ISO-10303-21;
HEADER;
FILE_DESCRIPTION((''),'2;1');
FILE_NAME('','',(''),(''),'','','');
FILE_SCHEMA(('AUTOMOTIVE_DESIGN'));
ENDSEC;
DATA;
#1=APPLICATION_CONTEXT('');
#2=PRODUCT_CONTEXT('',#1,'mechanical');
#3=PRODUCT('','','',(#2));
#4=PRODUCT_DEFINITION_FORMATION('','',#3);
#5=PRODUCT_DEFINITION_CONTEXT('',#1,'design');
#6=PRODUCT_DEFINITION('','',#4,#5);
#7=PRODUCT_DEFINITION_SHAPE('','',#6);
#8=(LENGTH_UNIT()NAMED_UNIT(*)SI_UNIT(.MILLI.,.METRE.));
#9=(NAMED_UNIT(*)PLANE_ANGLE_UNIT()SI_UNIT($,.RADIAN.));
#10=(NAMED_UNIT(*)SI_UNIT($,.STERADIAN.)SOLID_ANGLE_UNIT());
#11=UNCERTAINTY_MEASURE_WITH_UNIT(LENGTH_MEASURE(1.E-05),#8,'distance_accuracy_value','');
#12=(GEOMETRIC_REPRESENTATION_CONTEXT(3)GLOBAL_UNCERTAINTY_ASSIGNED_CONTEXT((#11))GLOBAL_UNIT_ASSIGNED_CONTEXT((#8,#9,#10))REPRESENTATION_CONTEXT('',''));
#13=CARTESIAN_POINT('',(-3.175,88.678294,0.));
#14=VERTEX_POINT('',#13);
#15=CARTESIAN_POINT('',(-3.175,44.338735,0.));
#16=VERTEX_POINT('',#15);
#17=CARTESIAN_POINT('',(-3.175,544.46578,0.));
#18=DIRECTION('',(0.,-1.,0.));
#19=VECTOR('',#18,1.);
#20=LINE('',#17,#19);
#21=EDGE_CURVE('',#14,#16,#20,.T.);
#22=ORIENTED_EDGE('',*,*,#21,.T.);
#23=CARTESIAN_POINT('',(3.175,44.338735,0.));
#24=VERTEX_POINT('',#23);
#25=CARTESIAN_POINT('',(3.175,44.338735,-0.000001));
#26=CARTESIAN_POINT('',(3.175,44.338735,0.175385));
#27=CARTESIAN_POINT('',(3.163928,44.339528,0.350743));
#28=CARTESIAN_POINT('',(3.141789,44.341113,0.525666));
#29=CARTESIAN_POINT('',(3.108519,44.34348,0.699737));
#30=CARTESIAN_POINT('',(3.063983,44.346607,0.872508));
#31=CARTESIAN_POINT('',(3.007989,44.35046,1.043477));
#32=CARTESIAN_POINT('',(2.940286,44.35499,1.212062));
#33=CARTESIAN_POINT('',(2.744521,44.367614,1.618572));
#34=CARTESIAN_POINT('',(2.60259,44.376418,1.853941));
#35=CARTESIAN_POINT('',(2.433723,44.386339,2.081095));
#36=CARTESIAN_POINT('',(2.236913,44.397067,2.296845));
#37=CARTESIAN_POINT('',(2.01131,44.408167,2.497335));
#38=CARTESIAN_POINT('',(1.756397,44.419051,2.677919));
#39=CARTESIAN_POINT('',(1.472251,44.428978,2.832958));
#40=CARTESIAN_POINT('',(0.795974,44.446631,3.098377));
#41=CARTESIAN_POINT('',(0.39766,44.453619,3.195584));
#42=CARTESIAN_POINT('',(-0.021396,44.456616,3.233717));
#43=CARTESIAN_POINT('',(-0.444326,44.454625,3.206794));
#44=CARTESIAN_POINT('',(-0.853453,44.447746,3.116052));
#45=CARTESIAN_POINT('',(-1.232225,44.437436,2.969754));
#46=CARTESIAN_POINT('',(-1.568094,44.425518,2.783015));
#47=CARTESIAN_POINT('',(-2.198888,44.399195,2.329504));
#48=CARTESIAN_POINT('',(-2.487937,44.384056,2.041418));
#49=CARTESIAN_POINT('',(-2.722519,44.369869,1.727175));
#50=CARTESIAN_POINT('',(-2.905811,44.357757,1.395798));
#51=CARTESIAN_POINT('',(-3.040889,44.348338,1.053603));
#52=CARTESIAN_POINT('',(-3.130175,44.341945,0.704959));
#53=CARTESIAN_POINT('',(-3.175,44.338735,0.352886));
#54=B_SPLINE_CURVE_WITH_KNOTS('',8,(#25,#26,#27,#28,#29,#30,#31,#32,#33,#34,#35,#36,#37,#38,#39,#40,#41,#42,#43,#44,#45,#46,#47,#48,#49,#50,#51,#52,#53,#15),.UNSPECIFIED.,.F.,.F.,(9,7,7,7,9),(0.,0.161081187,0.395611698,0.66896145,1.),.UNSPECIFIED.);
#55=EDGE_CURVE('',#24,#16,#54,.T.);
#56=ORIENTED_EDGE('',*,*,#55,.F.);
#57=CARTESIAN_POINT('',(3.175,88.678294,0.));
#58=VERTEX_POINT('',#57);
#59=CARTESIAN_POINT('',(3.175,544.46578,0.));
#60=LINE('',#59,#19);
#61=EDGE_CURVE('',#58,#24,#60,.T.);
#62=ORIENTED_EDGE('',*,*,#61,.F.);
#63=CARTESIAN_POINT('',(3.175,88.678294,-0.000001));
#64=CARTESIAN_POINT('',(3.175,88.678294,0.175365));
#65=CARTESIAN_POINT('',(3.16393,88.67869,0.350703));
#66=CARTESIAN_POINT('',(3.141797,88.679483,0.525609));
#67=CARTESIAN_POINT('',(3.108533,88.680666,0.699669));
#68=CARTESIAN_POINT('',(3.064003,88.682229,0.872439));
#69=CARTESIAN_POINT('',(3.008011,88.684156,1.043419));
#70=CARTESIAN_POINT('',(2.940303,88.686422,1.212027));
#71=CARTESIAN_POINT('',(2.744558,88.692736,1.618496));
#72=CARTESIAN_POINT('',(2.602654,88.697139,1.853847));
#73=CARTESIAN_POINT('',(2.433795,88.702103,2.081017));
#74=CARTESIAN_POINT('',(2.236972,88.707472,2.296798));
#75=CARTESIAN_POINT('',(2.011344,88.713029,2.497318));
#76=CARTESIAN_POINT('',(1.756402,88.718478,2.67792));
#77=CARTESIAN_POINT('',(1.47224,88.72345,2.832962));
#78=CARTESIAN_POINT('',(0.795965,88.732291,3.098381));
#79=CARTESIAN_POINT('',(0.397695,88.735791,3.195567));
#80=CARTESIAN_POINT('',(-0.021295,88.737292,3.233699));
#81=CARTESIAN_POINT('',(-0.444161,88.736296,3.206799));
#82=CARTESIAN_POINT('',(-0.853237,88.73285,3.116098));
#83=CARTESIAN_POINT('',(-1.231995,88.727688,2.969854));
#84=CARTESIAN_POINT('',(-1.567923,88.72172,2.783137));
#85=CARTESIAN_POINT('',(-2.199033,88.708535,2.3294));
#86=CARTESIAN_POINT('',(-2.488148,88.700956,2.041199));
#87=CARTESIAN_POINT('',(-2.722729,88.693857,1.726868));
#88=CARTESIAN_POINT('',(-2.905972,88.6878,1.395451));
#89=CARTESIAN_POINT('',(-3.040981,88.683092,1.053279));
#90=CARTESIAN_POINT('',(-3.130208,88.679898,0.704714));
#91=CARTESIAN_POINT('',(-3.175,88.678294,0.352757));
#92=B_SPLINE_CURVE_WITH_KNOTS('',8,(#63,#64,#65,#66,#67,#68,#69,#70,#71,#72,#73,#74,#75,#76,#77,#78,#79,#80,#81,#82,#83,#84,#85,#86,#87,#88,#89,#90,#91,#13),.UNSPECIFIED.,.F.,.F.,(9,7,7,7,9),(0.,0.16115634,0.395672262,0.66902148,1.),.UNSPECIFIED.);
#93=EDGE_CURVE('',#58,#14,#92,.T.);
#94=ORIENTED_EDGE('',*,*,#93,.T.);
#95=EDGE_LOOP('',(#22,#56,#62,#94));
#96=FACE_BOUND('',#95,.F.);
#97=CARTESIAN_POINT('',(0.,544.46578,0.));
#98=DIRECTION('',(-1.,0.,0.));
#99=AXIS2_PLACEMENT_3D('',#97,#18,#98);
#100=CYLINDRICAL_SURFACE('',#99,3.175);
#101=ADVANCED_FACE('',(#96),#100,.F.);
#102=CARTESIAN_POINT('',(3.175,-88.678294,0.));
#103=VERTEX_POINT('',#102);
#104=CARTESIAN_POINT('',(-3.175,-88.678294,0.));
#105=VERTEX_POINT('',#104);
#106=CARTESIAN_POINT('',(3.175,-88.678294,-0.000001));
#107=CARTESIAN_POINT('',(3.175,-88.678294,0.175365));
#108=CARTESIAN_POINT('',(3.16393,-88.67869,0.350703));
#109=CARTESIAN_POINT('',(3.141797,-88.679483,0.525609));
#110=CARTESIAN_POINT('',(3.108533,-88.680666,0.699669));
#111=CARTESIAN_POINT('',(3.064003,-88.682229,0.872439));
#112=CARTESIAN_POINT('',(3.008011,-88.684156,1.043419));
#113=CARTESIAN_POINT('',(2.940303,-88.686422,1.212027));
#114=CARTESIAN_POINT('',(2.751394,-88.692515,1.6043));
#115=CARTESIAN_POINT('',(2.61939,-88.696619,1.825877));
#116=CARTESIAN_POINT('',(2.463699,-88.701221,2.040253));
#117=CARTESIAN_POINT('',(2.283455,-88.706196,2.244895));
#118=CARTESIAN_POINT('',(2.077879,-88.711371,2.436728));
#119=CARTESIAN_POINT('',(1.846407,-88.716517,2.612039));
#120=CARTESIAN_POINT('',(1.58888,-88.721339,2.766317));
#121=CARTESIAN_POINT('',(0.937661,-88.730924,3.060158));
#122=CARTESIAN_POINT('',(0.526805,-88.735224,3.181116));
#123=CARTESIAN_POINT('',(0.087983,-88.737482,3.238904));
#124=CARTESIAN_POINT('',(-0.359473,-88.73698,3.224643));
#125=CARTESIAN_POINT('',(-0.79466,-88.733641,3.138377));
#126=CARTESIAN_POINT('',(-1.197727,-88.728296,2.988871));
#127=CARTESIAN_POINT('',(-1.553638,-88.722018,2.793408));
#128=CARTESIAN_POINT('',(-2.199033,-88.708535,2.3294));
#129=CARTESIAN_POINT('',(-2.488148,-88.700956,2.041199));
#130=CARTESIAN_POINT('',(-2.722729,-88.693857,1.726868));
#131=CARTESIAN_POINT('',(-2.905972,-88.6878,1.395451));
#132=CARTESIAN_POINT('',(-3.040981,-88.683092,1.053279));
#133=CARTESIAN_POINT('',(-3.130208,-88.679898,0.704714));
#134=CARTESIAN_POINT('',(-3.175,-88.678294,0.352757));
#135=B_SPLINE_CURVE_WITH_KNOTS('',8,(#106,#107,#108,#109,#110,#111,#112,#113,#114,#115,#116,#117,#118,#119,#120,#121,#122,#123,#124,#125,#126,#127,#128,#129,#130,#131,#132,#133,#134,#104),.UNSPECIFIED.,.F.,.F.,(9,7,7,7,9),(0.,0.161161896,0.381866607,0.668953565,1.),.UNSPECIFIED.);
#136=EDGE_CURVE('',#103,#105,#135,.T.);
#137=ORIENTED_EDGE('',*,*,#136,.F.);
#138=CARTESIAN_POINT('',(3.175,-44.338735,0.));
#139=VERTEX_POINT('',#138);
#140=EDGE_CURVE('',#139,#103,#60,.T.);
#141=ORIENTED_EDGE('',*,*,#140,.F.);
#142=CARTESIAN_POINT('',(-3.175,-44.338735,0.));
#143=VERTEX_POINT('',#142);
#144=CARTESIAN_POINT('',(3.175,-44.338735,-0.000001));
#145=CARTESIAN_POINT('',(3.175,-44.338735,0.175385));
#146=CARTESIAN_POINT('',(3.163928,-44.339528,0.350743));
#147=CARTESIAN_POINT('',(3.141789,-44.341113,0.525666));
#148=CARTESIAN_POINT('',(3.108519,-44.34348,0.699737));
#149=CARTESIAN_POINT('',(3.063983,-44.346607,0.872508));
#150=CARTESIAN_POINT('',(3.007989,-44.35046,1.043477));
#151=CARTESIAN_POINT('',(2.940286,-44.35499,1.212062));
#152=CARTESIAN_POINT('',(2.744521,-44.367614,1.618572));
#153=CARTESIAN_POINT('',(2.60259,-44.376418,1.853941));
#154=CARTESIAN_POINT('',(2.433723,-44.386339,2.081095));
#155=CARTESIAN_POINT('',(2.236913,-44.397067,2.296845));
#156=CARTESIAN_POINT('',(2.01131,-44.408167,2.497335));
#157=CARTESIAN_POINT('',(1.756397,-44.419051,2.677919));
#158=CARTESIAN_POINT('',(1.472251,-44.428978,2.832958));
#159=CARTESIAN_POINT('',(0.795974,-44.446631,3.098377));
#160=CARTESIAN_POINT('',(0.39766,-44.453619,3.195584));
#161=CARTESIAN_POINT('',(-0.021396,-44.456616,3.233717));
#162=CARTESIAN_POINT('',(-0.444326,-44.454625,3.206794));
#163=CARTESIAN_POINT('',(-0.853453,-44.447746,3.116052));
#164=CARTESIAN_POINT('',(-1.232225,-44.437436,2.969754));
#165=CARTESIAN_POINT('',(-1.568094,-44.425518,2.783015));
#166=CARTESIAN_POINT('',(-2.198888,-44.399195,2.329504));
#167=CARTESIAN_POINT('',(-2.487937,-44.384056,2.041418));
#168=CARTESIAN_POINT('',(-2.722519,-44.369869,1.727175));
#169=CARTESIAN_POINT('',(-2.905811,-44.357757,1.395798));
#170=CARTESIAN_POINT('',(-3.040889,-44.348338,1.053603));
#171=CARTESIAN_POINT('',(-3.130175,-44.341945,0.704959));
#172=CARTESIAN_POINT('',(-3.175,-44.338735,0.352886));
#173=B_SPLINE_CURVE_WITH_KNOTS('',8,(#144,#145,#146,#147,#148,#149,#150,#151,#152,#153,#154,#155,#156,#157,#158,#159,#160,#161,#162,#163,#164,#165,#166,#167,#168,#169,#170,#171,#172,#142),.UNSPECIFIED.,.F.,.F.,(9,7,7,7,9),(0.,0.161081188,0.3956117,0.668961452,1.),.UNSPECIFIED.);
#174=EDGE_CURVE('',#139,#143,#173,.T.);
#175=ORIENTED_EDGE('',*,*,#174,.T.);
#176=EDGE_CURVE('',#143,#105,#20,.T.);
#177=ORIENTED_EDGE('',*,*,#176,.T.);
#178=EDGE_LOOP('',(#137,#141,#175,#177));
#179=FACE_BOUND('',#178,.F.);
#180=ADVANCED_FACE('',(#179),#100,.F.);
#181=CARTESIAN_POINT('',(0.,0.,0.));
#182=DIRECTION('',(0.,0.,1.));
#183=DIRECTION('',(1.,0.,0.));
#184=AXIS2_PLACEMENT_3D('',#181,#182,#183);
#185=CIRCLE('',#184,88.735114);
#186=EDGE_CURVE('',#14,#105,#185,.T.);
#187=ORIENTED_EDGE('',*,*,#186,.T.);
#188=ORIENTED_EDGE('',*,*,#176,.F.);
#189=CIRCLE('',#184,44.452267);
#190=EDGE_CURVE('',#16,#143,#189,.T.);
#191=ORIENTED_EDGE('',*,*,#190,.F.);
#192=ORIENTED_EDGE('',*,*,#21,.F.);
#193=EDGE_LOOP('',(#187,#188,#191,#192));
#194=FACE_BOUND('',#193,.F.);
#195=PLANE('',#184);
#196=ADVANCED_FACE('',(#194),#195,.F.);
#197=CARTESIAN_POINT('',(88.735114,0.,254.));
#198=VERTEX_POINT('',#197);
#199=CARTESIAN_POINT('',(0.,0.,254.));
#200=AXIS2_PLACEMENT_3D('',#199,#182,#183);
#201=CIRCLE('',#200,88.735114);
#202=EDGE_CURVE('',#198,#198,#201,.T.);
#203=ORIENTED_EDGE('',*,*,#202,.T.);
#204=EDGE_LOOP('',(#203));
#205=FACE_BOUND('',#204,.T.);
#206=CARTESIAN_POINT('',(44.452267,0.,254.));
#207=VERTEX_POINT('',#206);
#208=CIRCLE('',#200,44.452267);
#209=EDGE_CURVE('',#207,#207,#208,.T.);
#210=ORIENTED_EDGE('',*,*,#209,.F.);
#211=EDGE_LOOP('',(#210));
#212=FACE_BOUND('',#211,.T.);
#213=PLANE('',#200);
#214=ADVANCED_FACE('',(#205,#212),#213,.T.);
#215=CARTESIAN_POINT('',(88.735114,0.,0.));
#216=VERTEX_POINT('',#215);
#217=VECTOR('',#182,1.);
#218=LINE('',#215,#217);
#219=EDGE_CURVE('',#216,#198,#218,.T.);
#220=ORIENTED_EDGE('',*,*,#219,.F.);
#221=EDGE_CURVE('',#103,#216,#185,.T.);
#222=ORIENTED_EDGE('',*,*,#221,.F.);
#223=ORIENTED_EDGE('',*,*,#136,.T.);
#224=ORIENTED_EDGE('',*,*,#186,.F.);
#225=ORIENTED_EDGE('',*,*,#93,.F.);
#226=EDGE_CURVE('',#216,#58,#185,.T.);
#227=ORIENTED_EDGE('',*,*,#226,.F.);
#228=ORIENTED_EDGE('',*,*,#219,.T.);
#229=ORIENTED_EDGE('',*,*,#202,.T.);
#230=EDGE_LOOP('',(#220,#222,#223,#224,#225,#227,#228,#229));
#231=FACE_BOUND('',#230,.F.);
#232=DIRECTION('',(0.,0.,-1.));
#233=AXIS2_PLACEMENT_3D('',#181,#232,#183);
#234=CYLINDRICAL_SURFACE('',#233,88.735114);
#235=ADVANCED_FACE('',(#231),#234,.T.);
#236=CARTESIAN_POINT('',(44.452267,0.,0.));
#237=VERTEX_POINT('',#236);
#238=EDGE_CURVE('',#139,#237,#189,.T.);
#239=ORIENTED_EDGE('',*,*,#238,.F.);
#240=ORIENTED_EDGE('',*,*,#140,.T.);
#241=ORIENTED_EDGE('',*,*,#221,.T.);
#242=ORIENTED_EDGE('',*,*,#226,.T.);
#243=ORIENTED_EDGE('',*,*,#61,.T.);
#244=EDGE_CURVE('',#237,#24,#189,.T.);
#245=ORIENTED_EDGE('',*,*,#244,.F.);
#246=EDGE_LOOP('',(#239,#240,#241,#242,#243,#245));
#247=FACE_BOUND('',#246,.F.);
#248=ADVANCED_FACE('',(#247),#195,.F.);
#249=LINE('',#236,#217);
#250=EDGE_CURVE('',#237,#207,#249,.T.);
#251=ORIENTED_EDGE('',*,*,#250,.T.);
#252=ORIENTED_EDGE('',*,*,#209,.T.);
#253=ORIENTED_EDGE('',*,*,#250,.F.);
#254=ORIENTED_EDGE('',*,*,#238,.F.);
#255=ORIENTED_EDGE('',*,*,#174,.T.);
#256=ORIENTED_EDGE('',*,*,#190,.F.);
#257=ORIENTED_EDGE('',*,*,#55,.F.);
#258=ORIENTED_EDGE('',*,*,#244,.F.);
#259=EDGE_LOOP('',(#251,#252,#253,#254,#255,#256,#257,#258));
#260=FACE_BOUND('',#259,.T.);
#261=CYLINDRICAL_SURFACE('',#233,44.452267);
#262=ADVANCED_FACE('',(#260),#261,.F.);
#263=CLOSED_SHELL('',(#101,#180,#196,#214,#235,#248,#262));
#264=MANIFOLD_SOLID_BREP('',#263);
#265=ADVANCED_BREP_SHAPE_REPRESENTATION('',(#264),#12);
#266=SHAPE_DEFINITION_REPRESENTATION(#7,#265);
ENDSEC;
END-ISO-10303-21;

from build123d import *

# Parameters (mm, degrees)
F0_R     = 88.735114
F0_R_2   = 44.452267
F1_DEPTH = 254
F4_D     = 6.35


with BuildPart() as f1:
    # F0 (on Top) → F1 (new body)
    with BuildSketch(Plane.XY):
        Circle(F0_R)
        Circle(F0_R_2, mode=Mode.SUBTRACT)
    extrude(amount=F1_DEPTH)

    # F4 (through all)
    with Locations(Plane(origin=(0, 187.384048, 0), x_dir=(1, 0, 0), z_dir=(0, 1, 0))):
        with Locations((0, 0)):
            Hole(F4_D / 2)


solid = f1.part
